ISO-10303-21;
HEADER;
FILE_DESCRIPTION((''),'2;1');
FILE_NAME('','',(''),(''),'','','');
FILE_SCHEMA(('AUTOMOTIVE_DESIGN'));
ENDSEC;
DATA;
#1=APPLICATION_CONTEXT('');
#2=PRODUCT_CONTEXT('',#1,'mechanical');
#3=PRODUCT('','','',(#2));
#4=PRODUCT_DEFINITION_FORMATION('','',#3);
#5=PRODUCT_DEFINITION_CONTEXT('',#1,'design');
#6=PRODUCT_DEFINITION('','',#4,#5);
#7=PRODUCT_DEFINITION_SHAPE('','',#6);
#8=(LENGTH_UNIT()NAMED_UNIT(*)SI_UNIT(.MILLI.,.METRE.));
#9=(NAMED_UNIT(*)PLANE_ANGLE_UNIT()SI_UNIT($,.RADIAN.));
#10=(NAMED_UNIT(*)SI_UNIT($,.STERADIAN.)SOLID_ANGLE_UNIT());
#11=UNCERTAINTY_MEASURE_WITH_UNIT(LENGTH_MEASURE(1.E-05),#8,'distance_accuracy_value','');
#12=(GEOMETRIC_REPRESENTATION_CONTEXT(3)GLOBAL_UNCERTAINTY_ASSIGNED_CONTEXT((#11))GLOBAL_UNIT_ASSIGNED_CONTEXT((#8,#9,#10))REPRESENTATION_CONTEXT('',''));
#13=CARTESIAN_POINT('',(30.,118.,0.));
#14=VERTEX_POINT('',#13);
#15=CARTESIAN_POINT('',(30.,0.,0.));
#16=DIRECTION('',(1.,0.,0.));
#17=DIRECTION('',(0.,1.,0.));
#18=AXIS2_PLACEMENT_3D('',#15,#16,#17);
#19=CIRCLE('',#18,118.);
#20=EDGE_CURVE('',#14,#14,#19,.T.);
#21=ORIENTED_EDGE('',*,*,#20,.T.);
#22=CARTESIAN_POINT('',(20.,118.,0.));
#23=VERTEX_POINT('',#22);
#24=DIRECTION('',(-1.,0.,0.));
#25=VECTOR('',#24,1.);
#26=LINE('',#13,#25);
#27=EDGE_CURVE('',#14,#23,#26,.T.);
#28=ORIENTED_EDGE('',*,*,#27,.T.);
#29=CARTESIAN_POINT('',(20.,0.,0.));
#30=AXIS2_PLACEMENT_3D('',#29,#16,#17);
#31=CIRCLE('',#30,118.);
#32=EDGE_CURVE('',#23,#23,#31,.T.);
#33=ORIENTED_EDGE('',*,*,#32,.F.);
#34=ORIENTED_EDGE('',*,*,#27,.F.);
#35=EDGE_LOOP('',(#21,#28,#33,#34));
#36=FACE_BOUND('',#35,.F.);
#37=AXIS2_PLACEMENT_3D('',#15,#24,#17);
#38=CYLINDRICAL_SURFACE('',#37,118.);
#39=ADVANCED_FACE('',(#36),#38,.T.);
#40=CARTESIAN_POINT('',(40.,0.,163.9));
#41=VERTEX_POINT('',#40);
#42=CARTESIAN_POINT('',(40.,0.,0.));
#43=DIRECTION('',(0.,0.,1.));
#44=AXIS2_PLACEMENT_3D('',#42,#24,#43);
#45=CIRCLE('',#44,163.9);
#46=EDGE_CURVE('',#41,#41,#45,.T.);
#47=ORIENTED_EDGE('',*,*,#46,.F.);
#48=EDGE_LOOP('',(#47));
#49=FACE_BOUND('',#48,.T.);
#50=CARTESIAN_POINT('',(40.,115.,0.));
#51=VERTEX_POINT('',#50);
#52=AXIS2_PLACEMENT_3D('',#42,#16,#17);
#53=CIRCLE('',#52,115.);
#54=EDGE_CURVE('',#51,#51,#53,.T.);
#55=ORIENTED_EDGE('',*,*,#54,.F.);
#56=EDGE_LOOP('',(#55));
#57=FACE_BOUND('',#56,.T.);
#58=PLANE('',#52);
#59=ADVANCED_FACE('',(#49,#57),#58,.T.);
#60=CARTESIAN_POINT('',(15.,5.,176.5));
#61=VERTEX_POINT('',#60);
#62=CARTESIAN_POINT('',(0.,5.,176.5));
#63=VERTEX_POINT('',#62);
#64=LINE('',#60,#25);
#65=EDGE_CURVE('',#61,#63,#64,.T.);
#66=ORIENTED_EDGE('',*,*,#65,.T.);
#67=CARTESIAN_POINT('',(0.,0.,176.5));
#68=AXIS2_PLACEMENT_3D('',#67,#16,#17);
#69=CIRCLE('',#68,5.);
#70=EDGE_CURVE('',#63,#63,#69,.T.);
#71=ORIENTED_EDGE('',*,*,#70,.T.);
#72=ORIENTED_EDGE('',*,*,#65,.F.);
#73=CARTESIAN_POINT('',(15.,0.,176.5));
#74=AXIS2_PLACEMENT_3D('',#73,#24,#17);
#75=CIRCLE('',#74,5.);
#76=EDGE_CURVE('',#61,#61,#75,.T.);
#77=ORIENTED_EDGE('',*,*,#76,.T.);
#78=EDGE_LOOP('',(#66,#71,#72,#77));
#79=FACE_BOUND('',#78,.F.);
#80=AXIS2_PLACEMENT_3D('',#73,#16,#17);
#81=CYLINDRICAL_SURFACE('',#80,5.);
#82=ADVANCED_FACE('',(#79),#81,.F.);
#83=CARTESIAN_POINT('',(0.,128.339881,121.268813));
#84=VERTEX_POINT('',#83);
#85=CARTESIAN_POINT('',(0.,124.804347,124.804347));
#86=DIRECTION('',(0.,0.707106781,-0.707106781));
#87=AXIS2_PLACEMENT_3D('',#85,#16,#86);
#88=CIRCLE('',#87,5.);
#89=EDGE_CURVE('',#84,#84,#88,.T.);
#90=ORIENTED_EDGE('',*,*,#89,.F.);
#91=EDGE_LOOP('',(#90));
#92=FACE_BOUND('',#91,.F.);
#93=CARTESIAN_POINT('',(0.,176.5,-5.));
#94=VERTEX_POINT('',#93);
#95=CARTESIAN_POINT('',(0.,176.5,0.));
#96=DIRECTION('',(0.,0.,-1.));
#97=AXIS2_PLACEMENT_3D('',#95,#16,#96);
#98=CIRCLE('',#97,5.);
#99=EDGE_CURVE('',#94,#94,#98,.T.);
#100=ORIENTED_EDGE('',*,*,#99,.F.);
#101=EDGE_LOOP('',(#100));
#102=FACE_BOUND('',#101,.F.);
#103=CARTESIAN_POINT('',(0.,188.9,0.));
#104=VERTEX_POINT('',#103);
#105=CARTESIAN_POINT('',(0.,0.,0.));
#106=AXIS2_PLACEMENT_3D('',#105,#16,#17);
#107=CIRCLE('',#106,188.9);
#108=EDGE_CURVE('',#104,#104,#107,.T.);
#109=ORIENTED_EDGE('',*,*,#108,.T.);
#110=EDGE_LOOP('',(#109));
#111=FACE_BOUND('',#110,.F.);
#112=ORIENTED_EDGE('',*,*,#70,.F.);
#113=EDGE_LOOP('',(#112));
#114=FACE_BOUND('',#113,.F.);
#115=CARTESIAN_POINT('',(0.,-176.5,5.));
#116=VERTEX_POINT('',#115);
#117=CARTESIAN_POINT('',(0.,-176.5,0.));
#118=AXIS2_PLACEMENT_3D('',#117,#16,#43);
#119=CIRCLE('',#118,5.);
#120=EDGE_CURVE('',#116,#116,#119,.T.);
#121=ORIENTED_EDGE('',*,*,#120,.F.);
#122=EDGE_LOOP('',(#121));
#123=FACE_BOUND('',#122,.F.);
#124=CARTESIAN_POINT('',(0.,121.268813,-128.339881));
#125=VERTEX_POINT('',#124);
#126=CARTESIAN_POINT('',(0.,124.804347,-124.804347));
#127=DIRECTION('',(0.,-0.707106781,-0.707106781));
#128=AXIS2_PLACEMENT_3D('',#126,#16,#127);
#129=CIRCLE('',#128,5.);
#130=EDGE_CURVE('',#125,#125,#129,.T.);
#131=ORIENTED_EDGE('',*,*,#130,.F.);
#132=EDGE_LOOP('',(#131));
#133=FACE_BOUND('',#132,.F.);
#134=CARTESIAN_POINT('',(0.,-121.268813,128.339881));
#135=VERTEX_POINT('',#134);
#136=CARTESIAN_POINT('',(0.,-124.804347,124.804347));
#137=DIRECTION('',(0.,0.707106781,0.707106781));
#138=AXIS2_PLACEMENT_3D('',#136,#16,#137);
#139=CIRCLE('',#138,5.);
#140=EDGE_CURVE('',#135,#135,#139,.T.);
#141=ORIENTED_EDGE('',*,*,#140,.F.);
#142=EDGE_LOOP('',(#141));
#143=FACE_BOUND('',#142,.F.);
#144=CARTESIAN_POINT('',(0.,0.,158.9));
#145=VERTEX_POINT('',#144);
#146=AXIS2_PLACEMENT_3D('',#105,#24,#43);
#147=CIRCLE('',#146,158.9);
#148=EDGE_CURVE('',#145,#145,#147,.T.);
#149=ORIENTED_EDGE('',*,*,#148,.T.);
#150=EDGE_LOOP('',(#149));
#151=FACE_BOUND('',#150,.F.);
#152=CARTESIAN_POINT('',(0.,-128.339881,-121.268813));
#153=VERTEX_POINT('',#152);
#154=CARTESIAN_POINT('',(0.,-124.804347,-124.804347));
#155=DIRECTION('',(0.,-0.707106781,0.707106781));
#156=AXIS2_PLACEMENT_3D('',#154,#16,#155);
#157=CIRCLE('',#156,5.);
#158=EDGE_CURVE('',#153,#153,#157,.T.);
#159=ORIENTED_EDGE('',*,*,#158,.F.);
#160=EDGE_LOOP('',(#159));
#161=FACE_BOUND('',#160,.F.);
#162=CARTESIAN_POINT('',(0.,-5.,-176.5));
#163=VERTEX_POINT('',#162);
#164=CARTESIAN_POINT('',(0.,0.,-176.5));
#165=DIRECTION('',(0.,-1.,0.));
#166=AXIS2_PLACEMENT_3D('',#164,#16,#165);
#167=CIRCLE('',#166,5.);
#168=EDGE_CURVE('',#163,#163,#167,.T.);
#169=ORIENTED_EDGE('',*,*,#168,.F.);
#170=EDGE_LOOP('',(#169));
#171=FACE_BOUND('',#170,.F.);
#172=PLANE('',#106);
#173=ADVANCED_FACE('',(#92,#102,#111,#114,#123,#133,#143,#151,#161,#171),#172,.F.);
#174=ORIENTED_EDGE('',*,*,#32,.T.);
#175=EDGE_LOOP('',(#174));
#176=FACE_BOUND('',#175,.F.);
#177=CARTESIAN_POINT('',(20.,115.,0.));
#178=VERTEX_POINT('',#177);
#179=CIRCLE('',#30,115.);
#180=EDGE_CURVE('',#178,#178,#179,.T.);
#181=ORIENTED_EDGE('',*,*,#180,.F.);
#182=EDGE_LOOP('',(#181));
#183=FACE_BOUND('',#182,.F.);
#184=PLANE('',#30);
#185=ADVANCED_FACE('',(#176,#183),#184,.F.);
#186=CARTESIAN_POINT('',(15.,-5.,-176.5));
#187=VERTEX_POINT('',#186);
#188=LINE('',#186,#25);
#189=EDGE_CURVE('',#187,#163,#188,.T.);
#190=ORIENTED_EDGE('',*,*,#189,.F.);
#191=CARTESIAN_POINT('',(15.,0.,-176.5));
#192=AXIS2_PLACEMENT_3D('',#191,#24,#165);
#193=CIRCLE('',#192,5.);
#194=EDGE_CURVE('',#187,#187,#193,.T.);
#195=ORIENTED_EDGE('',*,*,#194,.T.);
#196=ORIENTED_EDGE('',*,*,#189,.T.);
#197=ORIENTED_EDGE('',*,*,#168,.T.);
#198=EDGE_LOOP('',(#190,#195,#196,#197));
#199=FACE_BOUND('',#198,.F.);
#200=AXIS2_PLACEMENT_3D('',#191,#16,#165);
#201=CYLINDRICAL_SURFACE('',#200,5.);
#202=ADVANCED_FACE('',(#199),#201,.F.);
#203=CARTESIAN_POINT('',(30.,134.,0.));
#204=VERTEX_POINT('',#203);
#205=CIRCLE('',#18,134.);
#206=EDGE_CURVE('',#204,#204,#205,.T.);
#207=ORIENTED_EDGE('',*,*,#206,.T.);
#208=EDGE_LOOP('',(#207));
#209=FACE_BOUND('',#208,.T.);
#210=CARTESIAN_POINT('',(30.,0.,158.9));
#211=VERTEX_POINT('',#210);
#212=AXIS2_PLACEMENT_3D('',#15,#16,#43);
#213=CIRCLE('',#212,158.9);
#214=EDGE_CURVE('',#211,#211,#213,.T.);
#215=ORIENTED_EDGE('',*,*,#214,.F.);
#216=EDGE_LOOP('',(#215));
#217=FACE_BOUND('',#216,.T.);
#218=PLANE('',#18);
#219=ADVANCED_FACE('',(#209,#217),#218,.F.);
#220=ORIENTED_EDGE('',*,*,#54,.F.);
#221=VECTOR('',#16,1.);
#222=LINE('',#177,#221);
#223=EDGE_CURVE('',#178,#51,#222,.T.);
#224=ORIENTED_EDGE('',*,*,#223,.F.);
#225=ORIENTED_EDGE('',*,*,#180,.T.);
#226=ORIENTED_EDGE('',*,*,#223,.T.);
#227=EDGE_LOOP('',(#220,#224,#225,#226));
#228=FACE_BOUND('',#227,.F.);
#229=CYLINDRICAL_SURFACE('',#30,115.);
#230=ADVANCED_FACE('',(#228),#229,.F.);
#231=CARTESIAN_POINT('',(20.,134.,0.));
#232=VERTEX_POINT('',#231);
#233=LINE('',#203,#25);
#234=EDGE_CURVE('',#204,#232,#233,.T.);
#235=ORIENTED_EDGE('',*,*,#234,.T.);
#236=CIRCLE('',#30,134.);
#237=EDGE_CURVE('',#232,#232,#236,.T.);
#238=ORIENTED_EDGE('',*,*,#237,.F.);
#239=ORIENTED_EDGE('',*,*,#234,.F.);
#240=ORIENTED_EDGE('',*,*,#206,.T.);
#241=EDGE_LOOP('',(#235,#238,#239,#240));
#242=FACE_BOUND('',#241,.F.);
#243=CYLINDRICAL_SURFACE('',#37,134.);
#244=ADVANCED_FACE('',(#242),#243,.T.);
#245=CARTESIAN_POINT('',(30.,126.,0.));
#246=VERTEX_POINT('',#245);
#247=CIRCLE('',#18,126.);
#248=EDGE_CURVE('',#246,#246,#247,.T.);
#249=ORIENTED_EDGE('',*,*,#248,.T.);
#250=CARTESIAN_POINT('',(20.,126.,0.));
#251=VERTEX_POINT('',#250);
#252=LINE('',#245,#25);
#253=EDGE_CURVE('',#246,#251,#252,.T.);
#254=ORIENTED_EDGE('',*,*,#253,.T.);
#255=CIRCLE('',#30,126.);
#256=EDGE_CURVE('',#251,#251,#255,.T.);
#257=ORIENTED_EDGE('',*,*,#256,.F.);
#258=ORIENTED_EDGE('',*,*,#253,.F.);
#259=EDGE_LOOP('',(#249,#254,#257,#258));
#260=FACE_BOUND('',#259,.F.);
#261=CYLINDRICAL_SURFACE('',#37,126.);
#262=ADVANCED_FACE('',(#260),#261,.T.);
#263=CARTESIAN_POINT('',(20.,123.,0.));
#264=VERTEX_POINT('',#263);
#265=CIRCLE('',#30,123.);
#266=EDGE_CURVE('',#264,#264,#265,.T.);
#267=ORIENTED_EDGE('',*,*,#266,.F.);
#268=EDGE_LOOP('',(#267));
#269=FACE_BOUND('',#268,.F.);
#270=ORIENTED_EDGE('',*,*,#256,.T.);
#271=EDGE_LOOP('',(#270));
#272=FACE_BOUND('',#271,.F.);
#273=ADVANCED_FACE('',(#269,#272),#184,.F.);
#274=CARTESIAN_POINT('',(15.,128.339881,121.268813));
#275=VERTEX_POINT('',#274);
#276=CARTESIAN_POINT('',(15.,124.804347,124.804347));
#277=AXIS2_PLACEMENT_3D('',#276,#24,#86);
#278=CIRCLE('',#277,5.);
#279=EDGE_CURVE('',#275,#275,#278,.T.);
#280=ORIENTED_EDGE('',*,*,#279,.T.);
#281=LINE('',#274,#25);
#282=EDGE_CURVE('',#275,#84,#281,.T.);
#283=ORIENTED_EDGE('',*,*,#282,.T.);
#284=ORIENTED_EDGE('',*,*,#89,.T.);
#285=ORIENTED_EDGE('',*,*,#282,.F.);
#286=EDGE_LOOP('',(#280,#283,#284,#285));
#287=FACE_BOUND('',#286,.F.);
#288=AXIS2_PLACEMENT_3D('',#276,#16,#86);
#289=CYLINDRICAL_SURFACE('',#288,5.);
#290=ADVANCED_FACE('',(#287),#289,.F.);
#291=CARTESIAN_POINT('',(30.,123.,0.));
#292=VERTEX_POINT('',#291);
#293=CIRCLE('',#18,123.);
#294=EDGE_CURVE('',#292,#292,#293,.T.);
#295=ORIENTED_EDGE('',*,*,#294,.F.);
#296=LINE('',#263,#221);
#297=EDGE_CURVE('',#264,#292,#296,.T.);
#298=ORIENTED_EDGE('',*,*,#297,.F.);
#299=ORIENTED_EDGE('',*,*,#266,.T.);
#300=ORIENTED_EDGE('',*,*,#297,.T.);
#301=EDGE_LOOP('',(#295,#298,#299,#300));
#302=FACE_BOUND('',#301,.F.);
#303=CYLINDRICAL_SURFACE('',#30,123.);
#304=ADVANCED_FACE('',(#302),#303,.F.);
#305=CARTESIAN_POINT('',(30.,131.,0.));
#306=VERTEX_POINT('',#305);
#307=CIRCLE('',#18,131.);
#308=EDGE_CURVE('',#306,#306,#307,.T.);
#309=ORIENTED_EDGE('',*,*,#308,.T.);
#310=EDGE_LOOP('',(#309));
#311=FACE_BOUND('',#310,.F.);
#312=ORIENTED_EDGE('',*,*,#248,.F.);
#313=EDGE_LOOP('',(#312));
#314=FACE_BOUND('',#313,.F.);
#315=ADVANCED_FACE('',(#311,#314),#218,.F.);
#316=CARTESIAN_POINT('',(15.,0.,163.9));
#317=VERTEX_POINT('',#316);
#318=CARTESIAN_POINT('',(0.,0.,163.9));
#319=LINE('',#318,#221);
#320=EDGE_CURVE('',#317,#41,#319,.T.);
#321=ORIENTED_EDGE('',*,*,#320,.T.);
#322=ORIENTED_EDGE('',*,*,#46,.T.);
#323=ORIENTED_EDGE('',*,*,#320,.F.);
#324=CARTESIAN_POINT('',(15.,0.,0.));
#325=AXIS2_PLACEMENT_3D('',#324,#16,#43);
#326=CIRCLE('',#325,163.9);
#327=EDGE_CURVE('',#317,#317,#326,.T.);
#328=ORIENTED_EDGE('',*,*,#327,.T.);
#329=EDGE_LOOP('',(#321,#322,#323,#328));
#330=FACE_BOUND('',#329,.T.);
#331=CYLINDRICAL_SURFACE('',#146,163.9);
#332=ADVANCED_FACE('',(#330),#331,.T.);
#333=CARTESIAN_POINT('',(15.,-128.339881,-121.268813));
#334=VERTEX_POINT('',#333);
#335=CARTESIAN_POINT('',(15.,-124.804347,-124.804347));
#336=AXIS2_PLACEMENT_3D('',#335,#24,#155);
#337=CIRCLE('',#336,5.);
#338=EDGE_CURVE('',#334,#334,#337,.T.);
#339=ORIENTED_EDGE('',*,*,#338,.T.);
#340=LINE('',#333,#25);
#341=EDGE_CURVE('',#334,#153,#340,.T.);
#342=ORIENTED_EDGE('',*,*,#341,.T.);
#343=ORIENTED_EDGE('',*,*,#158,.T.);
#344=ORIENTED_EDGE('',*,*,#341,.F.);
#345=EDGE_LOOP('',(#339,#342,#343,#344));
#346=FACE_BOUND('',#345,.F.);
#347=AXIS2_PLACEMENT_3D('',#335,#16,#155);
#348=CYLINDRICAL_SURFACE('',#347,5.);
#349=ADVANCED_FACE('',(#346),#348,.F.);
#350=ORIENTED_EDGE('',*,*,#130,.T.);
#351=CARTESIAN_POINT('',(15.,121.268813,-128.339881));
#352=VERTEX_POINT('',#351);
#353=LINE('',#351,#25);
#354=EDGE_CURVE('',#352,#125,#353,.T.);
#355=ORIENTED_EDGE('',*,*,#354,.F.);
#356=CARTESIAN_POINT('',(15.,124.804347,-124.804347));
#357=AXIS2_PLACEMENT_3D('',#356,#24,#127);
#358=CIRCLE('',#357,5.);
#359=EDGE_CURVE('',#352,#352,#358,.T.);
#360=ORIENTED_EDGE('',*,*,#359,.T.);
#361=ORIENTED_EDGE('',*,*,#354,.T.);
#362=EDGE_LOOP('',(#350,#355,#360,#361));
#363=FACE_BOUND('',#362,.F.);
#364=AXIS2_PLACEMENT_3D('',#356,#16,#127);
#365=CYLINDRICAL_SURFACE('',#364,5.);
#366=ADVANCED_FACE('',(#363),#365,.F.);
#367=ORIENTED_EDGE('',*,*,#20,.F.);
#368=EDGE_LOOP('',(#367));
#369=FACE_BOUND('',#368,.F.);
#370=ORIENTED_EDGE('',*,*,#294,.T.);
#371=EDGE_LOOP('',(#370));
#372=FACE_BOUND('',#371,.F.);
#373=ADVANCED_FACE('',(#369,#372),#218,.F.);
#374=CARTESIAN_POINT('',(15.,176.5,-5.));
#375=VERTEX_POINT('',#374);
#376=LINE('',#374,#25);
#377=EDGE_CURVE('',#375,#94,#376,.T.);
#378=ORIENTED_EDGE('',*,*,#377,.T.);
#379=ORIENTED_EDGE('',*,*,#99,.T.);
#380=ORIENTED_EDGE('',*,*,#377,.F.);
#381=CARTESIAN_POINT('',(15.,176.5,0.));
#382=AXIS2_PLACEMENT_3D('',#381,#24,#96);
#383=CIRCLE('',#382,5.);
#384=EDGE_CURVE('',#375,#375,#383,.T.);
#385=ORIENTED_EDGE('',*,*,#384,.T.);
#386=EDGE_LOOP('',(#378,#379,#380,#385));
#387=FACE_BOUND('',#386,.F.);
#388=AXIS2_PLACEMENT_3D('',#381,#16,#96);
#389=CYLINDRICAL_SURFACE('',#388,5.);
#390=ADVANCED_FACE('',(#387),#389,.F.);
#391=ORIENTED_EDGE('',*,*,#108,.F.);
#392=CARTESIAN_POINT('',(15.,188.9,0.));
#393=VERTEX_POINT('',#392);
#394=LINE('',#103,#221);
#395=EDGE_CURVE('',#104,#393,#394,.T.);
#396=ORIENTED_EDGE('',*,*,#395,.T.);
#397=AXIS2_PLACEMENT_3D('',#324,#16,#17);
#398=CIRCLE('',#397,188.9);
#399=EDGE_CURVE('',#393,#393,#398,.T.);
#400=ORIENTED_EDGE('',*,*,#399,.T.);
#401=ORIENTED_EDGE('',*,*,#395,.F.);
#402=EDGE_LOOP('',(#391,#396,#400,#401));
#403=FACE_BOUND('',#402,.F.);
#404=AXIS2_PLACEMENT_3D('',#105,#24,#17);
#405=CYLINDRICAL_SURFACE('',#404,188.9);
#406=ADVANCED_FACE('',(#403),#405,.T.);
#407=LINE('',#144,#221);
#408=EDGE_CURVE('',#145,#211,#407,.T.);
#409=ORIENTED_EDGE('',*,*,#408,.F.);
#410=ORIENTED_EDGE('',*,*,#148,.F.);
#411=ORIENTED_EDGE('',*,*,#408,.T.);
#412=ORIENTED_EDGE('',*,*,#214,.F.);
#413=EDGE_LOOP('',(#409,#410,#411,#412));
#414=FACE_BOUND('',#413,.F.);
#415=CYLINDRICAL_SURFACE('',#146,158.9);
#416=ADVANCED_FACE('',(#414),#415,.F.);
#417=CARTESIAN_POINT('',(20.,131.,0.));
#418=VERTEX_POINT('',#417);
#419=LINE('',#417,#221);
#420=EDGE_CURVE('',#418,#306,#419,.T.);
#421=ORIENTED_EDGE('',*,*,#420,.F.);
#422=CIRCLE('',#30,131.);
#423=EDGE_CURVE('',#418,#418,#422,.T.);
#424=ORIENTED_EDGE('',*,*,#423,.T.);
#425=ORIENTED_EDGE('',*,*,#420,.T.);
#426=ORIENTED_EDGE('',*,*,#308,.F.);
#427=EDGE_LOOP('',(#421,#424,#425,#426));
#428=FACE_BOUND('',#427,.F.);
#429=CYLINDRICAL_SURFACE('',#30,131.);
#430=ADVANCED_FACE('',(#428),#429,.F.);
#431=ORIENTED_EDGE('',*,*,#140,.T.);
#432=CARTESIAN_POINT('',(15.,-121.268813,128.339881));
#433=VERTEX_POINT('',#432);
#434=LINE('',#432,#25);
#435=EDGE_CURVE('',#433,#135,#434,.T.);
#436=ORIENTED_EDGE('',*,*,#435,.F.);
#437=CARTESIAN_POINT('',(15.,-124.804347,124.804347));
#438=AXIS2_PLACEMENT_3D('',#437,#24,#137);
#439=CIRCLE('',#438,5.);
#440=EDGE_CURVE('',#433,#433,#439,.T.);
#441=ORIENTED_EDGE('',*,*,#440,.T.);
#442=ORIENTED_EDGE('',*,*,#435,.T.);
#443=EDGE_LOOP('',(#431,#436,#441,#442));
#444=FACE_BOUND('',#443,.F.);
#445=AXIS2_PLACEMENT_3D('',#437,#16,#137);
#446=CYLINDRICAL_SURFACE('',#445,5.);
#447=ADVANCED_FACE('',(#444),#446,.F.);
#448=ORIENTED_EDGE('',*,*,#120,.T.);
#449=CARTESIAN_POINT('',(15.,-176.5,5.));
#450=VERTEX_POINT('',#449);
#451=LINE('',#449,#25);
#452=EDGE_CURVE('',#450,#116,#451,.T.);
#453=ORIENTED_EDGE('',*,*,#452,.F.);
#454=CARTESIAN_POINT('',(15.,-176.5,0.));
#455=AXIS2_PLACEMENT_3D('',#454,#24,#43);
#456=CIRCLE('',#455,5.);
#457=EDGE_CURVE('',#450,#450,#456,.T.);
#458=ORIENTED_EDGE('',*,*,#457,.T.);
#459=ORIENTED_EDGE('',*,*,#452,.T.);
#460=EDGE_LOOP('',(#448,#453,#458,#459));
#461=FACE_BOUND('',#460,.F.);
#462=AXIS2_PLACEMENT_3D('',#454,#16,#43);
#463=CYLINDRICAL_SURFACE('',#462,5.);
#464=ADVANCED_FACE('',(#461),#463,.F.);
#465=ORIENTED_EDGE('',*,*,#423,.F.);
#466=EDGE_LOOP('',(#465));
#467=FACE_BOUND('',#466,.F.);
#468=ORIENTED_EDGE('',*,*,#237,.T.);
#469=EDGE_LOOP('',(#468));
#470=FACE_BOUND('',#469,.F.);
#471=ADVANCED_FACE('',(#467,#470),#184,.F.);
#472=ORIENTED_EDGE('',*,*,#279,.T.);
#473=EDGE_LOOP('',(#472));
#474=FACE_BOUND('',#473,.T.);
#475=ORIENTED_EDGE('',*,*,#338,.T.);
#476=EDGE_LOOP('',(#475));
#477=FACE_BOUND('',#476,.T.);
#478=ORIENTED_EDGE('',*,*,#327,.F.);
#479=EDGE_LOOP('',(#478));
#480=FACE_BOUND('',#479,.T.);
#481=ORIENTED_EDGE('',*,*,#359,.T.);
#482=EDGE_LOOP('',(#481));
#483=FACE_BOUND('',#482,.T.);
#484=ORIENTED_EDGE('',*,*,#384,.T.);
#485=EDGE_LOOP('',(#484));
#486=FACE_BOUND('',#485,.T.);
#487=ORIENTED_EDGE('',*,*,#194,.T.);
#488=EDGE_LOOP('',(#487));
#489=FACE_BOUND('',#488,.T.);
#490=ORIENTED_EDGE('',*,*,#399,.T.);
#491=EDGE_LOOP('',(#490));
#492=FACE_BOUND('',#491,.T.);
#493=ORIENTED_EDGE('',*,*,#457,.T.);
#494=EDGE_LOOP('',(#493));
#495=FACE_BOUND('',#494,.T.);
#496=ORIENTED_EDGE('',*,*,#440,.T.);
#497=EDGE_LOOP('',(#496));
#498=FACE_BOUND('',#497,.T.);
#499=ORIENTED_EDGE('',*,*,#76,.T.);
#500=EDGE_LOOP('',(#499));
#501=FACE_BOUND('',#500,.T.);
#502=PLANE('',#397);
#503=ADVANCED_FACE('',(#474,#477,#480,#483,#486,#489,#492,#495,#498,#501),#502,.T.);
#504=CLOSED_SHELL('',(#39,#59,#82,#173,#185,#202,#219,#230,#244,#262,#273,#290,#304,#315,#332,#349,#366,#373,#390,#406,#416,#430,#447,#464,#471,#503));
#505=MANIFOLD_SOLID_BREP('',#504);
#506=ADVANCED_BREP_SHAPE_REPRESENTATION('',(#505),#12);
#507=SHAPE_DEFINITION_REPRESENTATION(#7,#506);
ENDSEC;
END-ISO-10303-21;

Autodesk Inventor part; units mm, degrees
ref_plane "YZ Plane" through (0, 0, 0) normal (1, 0, 0) x (0, 1, 0)
ref_plane "XZ Plane" through (0, 0, 0) normal (0, 1, 0) x (-1, 0, 0)
ref_plane "XY Plane" through (0, 0, 0) normal (0, 0, 1) x (1, 0, 0)
sketch "Sketch1" plane through (0, 0, 0) normal (1, 0, 0) x (0, 1, 0)
  circle A0 centre (0, 0) radius 188.9
  circle A1 centre (0, 0) radius 163.9
  dimension "d0" = 377.8
  dimension "d2" = 327.8
extrude "Extrusion1" add sketch "Sketch1" along normal blind 15
sketch "Sketch2" plane through (15, 0, 0) normal (1, 0, 0) x (0, 0, -1)
  circle A0 centre (0, 0) radius 176.5
  circle A1 centre (0, 176.5) radius 5
  dimension "d5" = 353
  dimension "d6" = 10
extrude "Extrusion2" cut sketch "Sketch2" against normal through all contours A1 A0 | A0 A1 picked at (0.1991, 174.84) picked at (0.1901, 178.1505)
pattern_circular "Circular Pattern1" count 8 over 360 about axis through (0, 0, 0) along (1, 0, 0) of "Extrusion2"
sketch "Sketch3" plane through (0, 0, 0) normal (-1, 0, 0) x (0, 0, 1)
  circle A0 centre (0, 0) radius 163.9
  circle A1 centre (0, 0) radius 158.9
  dimension "d12" = 317.8
extrude "Extrusion3" add sketch "Sketch3" against normal blind 40
sketch "Sketch4" plane through (0, 0, 0) normal (0, 0, 1) x (1, 0, 0)
  line L0 (40, 158.9) -> (40, -158.9) projected
  line L1 (40, -163.9) -> (40, 163.9) projected
  line L2 (30, 153.9) -> (30, 158.9)
  line L3 (30, 158.9) -> (40, 158.9)
  line L4 (40, 158.9) -> (40, 153.9)
  line L5 (30, 153.9) -> (30, 134)
  line L6 (40, 134) -> (40, 153.9)
  line L7 (-8, 0) -> (48, 0) projected
  line L8 (40, 158.9) -> (40, 134)
  line L9 (30, 134) -> (20, 134)
  line L10 (20, 134) -> (20, 131)
  line L11 (20, 131) -> (30, 131)
  line L12 (30, 131) -> (30, 126)
  line L13 (30, 126) -> (20, 126)
  line L14 (20, 126) -> (20, 123)
  line L15 (20, 123) -> (30, 123)
  line L16 (30, 123) -> (30, 118)
  line L17 (30, 118) -> (20, 118)
  line L18 (20, 118) -> (20, 115)
  line L19 (20, 115) -> (40, 115)
  line L20 (40, 115) -> (40, 134)
  point P0 (0, 0)
revolve "Revolution1" add sketch "Sketch4" angle 360 about axis through (-10, 0, 0) along (1, 0, 0)
thread "Thread1" size "M10x1.5" class "6H" standard "ANSI Metric M Profile" full length
thread "Thread2" size "M10x1.5" class "6H" standard "ANSI Metric M Profile" full length
thread "Thread3" size "M10x1.5" class "6H" standard "ANSI Metric M Profile" full length
thread "Thread4" size "M10x1.5" class "6H" standard "ANSI Metric M Profile" full length
thread "Thread5" size "M10x1.5" class "6H" standard "ANSI Metric M Profile" full length
thread "Thread6" size "M10x1.5" class "6H" standard "ANSI Metric M Profile" full length
thread "Thread7" size "M10x1.5" class "6H" standard "ANSI Metric M Profile" full length
thread "Thread8" size "M10x1.5" class "6H" standard "ANSI Metric M Profile" full length
properties part number "lavyrintosecondchance"
